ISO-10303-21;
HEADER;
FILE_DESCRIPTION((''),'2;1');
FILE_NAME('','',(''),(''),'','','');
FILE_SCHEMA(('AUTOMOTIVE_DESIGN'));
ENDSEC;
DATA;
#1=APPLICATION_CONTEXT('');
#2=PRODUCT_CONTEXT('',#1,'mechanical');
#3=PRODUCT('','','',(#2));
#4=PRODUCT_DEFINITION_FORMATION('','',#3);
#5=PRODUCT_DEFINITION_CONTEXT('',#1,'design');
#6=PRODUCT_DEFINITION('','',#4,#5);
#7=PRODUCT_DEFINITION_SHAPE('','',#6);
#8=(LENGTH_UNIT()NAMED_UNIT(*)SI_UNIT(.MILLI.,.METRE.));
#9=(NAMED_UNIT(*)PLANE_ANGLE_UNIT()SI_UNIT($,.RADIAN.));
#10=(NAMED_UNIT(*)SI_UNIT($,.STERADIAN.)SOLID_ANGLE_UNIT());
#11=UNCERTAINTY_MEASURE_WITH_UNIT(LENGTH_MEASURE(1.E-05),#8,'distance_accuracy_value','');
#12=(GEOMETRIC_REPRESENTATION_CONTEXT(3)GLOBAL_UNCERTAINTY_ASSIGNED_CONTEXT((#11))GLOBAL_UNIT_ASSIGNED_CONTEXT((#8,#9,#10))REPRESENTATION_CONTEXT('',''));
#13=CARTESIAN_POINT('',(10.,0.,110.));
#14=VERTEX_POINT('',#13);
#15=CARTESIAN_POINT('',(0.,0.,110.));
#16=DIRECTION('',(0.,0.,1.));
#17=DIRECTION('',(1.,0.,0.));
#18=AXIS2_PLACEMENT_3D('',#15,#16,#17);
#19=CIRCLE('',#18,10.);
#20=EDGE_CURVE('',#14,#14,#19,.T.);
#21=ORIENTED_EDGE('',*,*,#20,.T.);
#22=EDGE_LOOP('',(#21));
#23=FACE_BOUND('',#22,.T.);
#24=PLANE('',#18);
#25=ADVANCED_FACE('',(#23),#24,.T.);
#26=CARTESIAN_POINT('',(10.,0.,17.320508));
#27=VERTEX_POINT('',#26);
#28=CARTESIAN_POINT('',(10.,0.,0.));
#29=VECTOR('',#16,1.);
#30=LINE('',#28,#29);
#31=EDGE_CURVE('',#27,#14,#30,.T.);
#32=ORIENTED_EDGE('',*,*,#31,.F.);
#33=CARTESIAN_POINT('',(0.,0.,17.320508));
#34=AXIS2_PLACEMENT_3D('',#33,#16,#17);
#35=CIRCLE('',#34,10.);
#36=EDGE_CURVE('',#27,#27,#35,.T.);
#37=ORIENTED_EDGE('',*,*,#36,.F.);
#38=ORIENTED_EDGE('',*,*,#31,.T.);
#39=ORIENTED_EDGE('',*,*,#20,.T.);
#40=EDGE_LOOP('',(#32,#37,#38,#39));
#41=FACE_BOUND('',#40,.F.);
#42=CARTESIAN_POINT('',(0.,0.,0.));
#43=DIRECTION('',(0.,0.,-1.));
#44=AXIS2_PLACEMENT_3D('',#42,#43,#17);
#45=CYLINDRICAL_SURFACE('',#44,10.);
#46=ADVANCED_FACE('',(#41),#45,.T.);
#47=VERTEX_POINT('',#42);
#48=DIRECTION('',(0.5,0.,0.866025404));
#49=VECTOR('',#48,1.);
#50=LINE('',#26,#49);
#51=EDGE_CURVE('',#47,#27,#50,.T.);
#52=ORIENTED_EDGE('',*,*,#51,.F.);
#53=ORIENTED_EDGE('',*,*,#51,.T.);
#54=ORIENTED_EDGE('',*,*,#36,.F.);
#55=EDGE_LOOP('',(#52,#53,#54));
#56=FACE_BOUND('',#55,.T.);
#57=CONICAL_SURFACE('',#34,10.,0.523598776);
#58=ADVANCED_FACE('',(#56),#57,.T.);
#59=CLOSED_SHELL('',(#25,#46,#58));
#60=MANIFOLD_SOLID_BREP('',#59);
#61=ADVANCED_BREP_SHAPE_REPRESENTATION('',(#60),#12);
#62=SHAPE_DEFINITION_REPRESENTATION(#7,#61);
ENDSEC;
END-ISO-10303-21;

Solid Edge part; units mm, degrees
sketch "Sketch1" plane through (0, 0, 0) normal (0, 0, 1) x (1, 0, 0)
  circle A0 centre (0, 0) radius 10
  dimension "D1" = 20
extrude "Protrusion1" add sketch "Sketch1" along normal blind 110
chamfer "Fase_1" distance 10 angle 60 1 edges at (-10, 0, 0) measured on face at (-6.8667, -6.4667, 0)
properties part number "A7.H1" material "Polyethylen, geringe Dichte"
